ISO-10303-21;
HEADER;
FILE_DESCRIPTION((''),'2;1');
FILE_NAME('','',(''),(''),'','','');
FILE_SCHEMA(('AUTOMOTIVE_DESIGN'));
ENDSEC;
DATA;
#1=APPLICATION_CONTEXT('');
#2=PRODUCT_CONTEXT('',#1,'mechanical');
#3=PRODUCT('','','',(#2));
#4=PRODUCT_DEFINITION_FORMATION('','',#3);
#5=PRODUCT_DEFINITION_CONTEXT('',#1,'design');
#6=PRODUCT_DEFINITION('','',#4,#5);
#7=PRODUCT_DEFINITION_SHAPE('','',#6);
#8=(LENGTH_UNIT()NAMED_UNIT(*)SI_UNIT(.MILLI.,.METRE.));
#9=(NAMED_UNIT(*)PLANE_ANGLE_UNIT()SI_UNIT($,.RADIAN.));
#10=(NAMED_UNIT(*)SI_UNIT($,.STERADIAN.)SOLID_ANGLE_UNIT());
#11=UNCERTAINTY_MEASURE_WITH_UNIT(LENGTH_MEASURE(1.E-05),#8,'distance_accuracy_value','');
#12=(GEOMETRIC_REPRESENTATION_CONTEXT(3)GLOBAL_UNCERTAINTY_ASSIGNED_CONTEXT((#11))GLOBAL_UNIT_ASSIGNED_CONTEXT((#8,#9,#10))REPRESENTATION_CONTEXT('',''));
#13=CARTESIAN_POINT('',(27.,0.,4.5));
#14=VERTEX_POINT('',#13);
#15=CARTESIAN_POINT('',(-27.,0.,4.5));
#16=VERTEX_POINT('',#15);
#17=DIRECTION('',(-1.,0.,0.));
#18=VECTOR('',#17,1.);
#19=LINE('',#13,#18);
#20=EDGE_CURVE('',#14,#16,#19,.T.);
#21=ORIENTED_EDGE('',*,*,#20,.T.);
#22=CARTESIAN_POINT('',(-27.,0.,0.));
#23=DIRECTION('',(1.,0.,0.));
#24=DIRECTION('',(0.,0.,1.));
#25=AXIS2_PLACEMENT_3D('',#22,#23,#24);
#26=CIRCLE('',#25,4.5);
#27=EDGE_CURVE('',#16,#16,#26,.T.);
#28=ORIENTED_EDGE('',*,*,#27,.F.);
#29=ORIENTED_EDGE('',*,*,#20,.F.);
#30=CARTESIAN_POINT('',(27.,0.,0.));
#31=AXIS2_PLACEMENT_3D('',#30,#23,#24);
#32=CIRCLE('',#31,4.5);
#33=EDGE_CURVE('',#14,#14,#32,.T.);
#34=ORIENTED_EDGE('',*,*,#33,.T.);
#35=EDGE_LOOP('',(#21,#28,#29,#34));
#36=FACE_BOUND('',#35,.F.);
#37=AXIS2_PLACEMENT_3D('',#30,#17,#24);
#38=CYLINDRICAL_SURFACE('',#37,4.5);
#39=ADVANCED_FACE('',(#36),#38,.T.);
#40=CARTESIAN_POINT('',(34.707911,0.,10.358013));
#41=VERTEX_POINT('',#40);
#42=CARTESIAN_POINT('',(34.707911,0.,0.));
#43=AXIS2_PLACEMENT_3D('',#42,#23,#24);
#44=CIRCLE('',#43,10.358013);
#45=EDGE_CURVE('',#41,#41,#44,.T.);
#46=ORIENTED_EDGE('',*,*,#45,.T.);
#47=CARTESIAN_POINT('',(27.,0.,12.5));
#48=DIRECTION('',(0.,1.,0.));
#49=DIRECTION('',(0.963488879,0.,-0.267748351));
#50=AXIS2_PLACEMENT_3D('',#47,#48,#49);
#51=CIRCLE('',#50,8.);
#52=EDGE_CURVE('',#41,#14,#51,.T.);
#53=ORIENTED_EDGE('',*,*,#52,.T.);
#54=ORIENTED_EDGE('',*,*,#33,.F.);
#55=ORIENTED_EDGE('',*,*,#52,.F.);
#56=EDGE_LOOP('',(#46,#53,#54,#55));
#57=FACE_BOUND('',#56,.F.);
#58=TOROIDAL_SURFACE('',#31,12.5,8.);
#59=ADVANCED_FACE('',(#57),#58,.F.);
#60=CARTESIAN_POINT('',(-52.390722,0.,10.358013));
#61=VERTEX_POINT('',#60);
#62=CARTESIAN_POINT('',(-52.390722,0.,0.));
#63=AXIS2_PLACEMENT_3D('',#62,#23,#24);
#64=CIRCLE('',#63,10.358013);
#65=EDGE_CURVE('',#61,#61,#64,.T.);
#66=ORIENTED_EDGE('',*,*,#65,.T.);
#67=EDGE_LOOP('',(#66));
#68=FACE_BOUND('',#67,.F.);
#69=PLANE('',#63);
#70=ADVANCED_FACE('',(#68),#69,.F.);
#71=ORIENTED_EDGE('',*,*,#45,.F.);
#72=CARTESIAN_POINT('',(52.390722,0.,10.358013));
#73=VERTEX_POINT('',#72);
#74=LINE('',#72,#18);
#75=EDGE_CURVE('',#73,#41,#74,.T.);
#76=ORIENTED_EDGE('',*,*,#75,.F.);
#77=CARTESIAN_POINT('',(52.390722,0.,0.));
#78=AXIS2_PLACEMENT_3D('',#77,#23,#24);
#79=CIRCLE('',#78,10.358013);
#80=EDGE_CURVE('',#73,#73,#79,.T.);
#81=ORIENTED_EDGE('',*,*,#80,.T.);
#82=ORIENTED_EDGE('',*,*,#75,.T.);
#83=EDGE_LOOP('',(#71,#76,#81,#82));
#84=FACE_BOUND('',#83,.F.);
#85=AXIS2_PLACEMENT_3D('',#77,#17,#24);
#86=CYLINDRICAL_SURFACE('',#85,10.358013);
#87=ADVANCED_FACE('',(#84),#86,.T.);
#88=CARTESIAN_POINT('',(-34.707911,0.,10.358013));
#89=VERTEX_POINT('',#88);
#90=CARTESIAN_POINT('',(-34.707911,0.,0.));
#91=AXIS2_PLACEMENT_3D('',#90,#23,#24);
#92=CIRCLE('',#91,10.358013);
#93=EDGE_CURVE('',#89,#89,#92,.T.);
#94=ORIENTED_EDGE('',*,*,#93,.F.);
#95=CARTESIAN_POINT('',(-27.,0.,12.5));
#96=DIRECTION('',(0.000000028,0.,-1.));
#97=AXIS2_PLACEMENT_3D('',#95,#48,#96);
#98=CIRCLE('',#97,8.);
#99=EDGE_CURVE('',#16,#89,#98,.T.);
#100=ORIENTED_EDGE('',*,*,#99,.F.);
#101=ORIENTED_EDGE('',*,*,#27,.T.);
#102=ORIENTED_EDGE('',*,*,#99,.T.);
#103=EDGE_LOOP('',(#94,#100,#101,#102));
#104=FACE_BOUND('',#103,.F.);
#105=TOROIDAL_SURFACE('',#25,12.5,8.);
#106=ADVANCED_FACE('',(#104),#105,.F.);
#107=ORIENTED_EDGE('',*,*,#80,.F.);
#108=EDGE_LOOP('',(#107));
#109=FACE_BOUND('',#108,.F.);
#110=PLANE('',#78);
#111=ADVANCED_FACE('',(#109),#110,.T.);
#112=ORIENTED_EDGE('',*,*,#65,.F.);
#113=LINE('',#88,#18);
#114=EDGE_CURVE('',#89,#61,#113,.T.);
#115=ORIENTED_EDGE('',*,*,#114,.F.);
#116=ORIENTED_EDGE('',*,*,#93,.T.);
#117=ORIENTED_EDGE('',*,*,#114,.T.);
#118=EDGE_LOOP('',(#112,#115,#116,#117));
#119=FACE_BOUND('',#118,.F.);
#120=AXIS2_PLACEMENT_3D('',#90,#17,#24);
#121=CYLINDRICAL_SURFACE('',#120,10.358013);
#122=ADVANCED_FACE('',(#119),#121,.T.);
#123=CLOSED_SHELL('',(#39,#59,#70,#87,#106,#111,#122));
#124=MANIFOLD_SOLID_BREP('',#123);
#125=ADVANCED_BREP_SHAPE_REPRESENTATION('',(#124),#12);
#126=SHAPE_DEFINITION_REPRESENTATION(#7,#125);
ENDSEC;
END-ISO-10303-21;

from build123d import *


with BuildPart() as f1:
    # F0 (on Front) → F1 (revolve)
    with BuildSketch(Plane.XZ):
        with BuildLine():
            Line((27, 4.5), (0, 4.5))
            Line((0, 4.5), (-27, 4.5))
            ThreePointArc((-27, 4.5), (-31.840667, 6.130703), (-34.707911, 10.358013))
            Line((-34.707911, 10.358013), (-52.390722, 10.358013))
            Line((-52.390722, 10.358013), (-52.390722, 0))
            Line((-52.390722, 0), (0, 0))
            Line((0, 0), (52.390722, 0))
            Line((52.390722, 0), (52.390722, 10.358013))
            Line((52.390722, 10.358013), (34.707911, 10.358013))
            ThreePointArc((34.707911, 10.358013), (31.840667, 6.130703), (27, 4.5))
        make_face()
    revolve(axis=Axis((-26.195361, 0, 0), (1, 0, 0)))


solid = f1.part
